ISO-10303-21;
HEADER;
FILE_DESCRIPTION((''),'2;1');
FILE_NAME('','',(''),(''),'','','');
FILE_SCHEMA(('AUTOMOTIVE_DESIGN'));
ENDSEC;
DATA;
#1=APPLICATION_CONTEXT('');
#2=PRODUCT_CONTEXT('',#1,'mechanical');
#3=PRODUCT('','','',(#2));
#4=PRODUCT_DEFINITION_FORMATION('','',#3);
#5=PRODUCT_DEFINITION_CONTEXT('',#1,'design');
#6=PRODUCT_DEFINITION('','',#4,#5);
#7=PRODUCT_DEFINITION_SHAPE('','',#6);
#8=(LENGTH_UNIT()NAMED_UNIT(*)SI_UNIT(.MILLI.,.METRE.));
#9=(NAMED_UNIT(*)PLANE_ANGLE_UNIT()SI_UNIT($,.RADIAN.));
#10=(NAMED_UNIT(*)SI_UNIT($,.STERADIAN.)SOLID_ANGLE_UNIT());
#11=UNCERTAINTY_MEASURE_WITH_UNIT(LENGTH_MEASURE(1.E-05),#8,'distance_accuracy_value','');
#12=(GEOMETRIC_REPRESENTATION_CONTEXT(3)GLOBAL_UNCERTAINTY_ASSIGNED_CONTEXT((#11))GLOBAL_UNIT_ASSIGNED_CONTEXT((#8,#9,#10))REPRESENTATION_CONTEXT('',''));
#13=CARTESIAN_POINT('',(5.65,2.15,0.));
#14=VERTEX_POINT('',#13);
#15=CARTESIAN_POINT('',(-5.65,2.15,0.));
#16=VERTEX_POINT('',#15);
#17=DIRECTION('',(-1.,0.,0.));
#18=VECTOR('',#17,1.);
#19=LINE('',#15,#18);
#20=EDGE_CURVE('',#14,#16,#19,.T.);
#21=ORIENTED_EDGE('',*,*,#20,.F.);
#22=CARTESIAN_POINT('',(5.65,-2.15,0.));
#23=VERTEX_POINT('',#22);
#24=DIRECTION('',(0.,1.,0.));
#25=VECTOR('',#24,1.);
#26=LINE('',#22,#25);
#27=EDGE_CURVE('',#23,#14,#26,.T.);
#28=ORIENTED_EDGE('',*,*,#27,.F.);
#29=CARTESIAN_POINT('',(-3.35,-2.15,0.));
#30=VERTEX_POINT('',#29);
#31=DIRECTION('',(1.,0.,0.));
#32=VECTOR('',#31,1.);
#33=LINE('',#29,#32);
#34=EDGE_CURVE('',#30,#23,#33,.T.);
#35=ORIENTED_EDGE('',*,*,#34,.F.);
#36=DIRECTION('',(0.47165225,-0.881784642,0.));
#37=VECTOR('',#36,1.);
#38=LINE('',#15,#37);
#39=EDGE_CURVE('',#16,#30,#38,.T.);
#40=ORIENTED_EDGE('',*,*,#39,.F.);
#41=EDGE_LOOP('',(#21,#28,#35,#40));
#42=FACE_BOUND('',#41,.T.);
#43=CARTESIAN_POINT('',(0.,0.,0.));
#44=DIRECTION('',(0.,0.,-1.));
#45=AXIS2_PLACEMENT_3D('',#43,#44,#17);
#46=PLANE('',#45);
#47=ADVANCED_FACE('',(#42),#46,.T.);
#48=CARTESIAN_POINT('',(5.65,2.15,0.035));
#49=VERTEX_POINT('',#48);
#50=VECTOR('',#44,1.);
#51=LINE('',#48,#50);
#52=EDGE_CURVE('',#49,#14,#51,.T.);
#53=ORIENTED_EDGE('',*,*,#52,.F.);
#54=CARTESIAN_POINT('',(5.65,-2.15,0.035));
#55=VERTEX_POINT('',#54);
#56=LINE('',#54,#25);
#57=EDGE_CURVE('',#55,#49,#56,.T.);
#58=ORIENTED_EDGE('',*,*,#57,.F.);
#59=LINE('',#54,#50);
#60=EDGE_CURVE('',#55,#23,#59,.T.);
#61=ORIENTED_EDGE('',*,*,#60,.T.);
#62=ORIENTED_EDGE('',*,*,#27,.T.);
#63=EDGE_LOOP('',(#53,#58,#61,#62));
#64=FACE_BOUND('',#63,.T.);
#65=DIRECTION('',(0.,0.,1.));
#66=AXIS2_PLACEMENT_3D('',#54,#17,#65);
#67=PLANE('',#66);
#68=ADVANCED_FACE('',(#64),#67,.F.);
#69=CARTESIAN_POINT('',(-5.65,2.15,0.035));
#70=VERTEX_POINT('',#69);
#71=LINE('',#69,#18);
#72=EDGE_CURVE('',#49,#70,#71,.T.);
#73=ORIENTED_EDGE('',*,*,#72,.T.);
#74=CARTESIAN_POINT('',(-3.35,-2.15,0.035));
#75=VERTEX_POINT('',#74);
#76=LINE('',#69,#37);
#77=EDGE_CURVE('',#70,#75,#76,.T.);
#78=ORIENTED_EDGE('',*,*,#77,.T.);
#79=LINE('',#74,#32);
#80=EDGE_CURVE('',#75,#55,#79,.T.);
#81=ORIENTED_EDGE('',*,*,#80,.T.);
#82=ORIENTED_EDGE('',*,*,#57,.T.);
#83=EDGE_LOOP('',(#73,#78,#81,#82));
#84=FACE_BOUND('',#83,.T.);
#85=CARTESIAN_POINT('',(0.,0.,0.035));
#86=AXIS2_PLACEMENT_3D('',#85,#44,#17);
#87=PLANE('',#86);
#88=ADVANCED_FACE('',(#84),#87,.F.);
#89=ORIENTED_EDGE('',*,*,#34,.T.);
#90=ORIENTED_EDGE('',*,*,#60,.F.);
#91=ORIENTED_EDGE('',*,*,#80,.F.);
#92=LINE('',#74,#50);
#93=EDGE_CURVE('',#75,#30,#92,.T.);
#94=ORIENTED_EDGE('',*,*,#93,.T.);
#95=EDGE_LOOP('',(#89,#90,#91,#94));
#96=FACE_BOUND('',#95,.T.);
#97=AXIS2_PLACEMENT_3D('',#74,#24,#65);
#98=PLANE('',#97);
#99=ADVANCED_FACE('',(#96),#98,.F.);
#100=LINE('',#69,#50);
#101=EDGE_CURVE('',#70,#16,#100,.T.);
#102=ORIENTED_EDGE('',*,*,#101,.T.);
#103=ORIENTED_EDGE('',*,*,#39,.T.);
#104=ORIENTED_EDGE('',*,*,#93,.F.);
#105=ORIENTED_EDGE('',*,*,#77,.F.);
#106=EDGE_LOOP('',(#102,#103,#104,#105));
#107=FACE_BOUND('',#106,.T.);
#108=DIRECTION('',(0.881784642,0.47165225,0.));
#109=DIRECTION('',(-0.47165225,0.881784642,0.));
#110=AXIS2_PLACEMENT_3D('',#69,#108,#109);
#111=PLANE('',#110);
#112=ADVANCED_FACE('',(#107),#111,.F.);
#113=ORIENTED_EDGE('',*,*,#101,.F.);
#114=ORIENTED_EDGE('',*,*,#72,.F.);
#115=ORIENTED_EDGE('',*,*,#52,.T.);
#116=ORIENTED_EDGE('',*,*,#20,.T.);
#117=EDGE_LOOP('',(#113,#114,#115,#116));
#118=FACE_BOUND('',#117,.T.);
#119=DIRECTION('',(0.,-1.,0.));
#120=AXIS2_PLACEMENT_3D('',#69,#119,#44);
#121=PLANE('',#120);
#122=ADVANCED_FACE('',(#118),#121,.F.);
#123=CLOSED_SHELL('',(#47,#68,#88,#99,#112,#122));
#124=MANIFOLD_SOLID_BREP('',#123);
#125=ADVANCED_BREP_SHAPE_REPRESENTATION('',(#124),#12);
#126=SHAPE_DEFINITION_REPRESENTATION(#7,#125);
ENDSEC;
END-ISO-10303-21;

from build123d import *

# Parameters (mm, degrees)
RESSALTO_EXTRUS_O1_DEPTH = 0.035


with BuildPart() as part:
    # Esboço1 → Ressalto-extrusão1 (new body)
    with BuildSketch(Plane.XY):
        Polygon((-5.65, 2.15), (-3.35, -2.15), (5.65, -2.15), (5.65, 2.15), align=None)
    extrude(amount=RESSALTO_EXTRUS_O1_DEPTH)


solid = part.part
